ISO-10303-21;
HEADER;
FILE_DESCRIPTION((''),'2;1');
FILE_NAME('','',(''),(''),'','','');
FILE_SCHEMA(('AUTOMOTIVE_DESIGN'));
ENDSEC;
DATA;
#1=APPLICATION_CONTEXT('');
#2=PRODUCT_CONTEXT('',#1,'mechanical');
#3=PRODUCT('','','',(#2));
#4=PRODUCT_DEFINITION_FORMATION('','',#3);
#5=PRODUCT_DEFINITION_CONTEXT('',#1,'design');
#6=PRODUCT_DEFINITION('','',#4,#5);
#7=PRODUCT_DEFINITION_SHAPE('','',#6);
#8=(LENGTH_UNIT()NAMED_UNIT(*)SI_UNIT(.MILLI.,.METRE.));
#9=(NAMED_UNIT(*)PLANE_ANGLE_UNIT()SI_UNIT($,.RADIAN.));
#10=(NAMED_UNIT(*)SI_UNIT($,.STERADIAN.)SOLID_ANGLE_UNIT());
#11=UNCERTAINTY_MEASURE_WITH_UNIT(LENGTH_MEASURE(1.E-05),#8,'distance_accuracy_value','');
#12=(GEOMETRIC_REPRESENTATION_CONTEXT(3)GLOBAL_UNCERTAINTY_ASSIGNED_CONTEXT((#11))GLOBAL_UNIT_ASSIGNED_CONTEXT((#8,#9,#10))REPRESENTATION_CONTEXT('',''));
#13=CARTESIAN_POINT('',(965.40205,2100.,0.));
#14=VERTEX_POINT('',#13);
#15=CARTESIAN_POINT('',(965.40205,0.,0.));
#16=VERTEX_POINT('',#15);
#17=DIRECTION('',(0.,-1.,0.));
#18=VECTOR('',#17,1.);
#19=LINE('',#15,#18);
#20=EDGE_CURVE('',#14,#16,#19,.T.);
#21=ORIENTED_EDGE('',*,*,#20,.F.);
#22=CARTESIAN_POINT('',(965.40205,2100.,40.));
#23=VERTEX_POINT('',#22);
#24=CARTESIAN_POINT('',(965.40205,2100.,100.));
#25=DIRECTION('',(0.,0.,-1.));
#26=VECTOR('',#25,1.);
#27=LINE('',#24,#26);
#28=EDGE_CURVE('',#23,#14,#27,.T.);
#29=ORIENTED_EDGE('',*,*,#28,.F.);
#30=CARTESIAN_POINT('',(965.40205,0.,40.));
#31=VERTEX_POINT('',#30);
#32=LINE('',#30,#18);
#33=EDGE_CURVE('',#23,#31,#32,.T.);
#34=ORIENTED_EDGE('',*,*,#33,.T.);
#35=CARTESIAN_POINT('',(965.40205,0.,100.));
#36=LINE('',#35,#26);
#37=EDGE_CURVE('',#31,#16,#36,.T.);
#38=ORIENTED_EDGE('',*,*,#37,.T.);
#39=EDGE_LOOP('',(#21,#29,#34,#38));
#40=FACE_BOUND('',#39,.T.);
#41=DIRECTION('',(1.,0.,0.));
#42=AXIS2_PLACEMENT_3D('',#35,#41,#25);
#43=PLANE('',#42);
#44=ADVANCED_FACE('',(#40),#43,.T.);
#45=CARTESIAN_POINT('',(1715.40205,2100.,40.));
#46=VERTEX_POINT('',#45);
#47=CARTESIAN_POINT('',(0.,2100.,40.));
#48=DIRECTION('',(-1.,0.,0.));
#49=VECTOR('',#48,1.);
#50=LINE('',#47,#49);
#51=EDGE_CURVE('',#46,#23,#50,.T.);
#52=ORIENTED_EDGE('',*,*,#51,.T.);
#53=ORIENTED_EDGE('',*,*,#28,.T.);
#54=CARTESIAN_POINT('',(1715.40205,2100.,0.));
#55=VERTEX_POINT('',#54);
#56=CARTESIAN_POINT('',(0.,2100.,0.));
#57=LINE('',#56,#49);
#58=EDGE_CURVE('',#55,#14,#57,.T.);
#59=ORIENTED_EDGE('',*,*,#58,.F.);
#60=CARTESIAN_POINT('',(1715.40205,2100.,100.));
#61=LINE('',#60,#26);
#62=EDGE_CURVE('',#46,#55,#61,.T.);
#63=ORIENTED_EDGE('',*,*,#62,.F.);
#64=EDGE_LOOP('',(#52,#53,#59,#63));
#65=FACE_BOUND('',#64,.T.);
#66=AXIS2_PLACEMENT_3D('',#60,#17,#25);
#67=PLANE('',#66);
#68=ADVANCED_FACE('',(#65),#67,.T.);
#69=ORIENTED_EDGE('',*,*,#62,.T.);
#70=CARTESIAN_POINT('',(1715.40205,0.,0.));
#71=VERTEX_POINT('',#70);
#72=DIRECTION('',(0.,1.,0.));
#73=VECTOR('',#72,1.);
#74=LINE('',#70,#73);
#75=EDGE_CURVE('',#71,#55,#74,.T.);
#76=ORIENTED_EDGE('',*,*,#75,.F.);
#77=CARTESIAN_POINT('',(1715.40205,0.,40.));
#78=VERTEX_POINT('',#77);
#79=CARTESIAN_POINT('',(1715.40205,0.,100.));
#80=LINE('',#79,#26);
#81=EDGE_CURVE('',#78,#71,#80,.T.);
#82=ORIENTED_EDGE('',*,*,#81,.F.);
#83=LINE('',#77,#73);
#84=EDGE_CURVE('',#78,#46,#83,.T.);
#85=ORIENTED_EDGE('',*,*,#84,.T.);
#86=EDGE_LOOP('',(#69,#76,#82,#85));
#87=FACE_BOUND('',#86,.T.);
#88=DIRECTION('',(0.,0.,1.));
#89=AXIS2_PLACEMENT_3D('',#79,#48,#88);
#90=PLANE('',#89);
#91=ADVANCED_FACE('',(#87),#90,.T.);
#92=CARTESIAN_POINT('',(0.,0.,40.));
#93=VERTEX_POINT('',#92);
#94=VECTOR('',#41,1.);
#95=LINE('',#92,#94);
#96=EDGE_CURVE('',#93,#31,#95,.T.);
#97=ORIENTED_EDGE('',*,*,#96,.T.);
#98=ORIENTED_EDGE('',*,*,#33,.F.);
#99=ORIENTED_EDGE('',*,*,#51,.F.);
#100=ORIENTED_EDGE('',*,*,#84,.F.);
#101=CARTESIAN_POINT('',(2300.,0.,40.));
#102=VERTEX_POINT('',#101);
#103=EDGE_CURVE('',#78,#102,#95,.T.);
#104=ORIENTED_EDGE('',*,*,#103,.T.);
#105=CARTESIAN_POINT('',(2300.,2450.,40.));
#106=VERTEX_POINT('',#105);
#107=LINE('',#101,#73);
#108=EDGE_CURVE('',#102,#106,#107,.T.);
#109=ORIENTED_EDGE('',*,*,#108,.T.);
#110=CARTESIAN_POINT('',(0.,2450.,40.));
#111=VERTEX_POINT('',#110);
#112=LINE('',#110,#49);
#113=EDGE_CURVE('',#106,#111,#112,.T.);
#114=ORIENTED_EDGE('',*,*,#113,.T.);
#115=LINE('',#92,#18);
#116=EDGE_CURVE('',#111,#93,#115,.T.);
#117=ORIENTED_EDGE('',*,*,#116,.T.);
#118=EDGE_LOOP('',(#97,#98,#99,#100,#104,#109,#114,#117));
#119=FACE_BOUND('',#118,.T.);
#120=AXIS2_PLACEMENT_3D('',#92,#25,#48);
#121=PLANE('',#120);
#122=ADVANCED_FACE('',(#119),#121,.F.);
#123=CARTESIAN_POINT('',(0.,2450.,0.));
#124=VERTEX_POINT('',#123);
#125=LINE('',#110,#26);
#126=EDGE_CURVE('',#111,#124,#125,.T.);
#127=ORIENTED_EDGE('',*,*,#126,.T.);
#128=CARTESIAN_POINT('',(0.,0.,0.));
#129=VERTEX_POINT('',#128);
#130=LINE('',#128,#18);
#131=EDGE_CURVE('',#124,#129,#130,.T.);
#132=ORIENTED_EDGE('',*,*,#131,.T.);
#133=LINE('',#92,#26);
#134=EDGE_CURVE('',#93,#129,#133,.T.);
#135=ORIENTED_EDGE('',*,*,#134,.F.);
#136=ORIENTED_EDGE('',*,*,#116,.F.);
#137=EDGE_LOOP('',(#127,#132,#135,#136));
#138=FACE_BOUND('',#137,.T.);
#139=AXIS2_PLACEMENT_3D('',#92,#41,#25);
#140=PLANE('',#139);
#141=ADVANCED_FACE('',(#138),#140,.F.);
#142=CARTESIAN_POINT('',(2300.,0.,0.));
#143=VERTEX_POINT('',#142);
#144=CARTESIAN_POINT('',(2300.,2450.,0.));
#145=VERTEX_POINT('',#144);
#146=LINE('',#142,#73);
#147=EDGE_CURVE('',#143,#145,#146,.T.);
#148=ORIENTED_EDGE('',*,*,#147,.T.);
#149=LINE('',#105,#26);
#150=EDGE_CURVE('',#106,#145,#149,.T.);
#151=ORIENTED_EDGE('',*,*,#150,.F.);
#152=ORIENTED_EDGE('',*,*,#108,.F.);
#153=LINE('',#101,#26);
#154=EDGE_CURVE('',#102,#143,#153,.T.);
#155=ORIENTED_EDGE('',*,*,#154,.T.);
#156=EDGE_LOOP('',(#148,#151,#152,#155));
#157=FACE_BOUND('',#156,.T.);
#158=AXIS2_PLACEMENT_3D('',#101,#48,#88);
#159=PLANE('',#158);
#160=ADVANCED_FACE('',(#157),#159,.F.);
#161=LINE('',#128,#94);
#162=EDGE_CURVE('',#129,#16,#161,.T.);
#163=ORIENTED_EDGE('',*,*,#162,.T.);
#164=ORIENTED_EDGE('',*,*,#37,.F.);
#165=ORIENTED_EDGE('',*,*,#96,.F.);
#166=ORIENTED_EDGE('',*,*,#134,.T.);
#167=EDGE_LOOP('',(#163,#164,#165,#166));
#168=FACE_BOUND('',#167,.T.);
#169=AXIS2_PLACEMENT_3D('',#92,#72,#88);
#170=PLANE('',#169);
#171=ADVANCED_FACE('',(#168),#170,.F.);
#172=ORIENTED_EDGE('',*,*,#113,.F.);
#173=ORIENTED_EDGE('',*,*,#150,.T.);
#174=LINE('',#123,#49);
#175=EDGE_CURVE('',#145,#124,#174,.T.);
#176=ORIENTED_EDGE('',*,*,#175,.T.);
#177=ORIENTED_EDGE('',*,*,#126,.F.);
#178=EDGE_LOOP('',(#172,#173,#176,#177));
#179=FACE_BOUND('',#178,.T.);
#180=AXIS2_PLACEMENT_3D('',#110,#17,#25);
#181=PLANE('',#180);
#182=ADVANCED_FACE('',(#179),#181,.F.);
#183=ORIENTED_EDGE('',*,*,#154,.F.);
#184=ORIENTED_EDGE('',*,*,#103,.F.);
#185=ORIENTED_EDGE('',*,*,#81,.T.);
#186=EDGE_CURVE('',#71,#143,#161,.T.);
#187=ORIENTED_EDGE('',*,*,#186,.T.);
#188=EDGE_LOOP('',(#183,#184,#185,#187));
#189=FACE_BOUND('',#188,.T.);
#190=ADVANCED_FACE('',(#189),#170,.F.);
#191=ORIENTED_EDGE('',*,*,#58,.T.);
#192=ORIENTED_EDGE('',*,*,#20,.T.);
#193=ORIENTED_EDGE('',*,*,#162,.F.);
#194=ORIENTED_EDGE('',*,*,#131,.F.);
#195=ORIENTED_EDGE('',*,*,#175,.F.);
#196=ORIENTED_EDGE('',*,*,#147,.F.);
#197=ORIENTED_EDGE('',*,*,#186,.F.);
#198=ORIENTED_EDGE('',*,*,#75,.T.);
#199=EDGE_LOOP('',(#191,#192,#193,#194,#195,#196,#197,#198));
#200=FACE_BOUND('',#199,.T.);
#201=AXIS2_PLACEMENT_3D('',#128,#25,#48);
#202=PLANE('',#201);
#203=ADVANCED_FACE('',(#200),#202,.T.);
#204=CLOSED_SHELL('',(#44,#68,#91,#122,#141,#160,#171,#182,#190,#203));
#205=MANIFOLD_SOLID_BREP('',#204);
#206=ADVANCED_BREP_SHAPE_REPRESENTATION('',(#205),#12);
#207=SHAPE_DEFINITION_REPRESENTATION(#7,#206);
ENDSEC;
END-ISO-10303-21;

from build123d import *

# Parameters (mm, degrees)
SKETCH1_W               = 2300
SKETCH1_H               = 2450
BOSS_EXTRUDE1_DEPTH     = 40
SKETCH2_W               = 750
SKETCH2_H               = 2100
CUT_EXTRUDE1_DEPTH      = 100
CUT_EXTRUDE1_DEPTH_BACK = 100


with BuildPart() as part:
    # Sketch1 → Boss-Extrude1 (new body)
    with BuildSketch(Plane.XY):
        with Locations((1150, 1225)):
            Rectangle(SKETCH1_W, SKETCH1_H)
    extrude(amount=BOSS_EXTRUDE1_DEPTH)

    # Sketch2 → Cut-Extrude1 (cut, two sides)
    with BuildSketch(Plane.XY) as cut_extrude1_sk:
        with Locations((1340.402049567, 1050)):
            Rectangle(SKETCH2_W, SKETCH2_H)
    extrude(amount=CUT_EXTRUDE1_DEPTH, mode=Mode.SUBTRACT)
    extrude(cut_extrude1_sk.sketch, amount=-CUT_EXTRUDE1_DEPTH_BACK, mode=Mode.SUBTRACT)


solid = part.part
